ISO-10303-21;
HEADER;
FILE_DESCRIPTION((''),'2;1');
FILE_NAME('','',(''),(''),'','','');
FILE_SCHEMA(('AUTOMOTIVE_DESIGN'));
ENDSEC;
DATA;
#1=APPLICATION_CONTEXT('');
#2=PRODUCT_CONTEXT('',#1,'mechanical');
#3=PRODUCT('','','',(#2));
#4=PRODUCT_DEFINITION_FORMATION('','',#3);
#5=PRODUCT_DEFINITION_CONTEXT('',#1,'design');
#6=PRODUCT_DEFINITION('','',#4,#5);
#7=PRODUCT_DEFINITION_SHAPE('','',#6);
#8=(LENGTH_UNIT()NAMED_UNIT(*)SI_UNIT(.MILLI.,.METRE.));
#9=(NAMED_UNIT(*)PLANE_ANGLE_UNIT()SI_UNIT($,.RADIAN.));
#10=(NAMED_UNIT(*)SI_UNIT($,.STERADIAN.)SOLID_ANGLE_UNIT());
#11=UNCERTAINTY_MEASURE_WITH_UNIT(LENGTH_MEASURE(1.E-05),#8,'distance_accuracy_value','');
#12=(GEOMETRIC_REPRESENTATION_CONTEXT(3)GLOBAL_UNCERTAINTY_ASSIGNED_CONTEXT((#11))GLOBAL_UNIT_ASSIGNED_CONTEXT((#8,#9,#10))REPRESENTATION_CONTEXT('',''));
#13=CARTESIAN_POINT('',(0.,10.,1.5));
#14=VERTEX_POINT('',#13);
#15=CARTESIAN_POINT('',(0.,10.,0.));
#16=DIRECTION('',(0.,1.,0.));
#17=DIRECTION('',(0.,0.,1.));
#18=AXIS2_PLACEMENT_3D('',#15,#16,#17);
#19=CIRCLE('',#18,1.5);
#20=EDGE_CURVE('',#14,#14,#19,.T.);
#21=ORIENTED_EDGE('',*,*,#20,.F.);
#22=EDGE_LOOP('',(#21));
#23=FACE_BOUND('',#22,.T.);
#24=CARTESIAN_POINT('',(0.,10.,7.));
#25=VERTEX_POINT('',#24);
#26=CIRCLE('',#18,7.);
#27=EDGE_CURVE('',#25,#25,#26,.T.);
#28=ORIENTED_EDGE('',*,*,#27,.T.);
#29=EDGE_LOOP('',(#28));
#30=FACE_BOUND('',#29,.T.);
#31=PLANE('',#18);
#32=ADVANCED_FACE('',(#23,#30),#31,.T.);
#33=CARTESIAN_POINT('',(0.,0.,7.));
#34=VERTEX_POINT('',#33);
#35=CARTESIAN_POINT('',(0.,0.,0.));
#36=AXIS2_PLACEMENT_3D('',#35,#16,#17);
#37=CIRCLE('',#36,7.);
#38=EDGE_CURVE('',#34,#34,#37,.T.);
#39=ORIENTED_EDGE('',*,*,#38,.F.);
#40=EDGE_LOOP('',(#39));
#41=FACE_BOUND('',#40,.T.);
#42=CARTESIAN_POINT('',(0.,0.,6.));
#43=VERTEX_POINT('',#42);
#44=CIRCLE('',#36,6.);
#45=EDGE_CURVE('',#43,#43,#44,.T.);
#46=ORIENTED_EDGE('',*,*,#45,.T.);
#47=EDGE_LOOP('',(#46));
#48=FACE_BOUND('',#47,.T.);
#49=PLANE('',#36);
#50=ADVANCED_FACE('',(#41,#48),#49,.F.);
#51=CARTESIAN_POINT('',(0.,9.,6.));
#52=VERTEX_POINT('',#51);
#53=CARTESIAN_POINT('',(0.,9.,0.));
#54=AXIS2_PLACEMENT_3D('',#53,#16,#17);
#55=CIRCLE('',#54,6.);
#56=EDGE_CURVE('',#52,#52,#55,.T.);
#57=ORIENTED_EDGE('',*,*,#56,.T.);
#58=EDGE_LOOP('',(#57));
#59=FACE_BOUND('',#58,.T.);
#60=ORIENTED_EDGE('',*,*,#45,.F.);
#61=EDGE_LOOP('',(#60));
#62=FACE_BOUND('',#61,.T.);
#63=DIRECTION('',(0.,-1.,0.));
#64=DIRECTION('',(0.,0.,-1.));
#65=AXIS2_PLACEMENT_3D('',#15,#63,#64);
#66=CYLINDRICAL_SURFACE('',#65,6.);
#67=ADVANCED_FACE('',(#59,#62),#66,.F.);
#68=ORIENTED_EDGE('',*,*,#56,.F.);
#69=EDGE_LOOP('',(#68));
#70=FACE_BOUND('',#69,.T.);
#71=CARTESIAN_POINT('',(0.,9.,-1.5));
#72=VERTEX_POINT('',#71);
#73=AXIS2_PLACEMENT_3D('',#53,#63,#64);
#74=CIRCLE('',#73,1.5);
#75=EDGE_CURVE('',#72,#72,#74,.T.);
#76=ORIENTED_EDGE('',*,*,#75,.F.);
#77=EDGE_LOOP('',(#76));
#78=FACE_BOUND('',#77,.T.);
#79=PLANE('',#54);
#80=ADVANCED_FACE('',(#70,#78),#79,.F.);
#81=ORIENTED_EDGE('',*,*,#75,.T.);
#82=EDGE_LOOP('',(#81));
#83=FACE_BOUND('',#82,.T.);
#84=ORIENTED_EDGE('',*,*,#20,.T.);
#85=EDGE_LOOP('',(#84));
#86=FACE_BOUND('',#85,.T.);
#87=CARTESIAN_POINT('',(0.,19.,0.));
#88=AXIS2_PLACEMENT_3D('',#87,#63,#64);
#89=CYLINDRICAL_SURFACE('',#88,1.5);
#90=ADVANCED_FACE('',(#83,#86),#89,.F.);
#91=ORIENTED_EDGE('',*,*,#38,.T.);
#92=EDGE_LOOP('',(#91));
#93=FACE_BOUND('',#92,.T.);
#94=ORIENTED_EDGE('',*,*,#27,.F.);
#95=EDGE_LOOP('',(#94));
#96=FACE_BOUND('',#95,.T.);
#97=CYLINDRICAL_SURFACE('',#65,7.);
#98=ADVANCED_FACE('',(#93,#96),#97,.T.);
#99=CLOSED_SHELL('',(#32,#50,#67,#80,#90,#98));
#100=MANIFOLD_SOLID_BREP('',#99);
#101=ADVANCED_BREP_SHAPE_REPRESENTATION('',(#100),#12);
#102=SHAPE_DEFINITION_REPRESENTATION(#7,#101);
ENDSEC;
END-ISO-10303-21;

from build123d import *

# Parameters (mm, degrees)
SKETCH1_R           = 7
BOSS_EXTRUDE1_DEPTH = 10
SHELL1_T            = -1
SKETCH2_R           = 1.5
CUT_EXTRUDE1_DEPTH  = 10


with BuildPart() as part:
    # Sketch1 → Boss-Extrude1 (new body)
    with BuildSketch(Plane(origin=(0, 0, 0), x_dir=(1, 0, 0), z_dir=(0, 1, 0))):
        with Locations(Location((0, 0, 0), (0, 0, 270))):
            Circle(SKETCH1_R)
    extrude(amount=BOSS_EXTRUDE1_DEPTH)

    # Shell1
    shell1_openings = [part.faces().sort_by_distance(p)[0] for p in [
        (0, 0, 0),
    ]]
    offset(amount=SHELL1_T, openings=shell1_openings, kind=Kind.INTERSECTION)

    # Sketch2 → Cut-Extrude1 (cut)
    with BuildSketch(Plane(origin=(0, 9, 0), x_dir=(-1, 0, 0), z_dir=(0, -1, 0))):
        with Locations(Location((0, 0, 0), (0, 0, 90))):
            Circle(SKETCH2_R)
    extrude(amount=-CUT_EXTRUDE1_DEPTH, mode=Mode.SUBTRACT)


solid = part.part
